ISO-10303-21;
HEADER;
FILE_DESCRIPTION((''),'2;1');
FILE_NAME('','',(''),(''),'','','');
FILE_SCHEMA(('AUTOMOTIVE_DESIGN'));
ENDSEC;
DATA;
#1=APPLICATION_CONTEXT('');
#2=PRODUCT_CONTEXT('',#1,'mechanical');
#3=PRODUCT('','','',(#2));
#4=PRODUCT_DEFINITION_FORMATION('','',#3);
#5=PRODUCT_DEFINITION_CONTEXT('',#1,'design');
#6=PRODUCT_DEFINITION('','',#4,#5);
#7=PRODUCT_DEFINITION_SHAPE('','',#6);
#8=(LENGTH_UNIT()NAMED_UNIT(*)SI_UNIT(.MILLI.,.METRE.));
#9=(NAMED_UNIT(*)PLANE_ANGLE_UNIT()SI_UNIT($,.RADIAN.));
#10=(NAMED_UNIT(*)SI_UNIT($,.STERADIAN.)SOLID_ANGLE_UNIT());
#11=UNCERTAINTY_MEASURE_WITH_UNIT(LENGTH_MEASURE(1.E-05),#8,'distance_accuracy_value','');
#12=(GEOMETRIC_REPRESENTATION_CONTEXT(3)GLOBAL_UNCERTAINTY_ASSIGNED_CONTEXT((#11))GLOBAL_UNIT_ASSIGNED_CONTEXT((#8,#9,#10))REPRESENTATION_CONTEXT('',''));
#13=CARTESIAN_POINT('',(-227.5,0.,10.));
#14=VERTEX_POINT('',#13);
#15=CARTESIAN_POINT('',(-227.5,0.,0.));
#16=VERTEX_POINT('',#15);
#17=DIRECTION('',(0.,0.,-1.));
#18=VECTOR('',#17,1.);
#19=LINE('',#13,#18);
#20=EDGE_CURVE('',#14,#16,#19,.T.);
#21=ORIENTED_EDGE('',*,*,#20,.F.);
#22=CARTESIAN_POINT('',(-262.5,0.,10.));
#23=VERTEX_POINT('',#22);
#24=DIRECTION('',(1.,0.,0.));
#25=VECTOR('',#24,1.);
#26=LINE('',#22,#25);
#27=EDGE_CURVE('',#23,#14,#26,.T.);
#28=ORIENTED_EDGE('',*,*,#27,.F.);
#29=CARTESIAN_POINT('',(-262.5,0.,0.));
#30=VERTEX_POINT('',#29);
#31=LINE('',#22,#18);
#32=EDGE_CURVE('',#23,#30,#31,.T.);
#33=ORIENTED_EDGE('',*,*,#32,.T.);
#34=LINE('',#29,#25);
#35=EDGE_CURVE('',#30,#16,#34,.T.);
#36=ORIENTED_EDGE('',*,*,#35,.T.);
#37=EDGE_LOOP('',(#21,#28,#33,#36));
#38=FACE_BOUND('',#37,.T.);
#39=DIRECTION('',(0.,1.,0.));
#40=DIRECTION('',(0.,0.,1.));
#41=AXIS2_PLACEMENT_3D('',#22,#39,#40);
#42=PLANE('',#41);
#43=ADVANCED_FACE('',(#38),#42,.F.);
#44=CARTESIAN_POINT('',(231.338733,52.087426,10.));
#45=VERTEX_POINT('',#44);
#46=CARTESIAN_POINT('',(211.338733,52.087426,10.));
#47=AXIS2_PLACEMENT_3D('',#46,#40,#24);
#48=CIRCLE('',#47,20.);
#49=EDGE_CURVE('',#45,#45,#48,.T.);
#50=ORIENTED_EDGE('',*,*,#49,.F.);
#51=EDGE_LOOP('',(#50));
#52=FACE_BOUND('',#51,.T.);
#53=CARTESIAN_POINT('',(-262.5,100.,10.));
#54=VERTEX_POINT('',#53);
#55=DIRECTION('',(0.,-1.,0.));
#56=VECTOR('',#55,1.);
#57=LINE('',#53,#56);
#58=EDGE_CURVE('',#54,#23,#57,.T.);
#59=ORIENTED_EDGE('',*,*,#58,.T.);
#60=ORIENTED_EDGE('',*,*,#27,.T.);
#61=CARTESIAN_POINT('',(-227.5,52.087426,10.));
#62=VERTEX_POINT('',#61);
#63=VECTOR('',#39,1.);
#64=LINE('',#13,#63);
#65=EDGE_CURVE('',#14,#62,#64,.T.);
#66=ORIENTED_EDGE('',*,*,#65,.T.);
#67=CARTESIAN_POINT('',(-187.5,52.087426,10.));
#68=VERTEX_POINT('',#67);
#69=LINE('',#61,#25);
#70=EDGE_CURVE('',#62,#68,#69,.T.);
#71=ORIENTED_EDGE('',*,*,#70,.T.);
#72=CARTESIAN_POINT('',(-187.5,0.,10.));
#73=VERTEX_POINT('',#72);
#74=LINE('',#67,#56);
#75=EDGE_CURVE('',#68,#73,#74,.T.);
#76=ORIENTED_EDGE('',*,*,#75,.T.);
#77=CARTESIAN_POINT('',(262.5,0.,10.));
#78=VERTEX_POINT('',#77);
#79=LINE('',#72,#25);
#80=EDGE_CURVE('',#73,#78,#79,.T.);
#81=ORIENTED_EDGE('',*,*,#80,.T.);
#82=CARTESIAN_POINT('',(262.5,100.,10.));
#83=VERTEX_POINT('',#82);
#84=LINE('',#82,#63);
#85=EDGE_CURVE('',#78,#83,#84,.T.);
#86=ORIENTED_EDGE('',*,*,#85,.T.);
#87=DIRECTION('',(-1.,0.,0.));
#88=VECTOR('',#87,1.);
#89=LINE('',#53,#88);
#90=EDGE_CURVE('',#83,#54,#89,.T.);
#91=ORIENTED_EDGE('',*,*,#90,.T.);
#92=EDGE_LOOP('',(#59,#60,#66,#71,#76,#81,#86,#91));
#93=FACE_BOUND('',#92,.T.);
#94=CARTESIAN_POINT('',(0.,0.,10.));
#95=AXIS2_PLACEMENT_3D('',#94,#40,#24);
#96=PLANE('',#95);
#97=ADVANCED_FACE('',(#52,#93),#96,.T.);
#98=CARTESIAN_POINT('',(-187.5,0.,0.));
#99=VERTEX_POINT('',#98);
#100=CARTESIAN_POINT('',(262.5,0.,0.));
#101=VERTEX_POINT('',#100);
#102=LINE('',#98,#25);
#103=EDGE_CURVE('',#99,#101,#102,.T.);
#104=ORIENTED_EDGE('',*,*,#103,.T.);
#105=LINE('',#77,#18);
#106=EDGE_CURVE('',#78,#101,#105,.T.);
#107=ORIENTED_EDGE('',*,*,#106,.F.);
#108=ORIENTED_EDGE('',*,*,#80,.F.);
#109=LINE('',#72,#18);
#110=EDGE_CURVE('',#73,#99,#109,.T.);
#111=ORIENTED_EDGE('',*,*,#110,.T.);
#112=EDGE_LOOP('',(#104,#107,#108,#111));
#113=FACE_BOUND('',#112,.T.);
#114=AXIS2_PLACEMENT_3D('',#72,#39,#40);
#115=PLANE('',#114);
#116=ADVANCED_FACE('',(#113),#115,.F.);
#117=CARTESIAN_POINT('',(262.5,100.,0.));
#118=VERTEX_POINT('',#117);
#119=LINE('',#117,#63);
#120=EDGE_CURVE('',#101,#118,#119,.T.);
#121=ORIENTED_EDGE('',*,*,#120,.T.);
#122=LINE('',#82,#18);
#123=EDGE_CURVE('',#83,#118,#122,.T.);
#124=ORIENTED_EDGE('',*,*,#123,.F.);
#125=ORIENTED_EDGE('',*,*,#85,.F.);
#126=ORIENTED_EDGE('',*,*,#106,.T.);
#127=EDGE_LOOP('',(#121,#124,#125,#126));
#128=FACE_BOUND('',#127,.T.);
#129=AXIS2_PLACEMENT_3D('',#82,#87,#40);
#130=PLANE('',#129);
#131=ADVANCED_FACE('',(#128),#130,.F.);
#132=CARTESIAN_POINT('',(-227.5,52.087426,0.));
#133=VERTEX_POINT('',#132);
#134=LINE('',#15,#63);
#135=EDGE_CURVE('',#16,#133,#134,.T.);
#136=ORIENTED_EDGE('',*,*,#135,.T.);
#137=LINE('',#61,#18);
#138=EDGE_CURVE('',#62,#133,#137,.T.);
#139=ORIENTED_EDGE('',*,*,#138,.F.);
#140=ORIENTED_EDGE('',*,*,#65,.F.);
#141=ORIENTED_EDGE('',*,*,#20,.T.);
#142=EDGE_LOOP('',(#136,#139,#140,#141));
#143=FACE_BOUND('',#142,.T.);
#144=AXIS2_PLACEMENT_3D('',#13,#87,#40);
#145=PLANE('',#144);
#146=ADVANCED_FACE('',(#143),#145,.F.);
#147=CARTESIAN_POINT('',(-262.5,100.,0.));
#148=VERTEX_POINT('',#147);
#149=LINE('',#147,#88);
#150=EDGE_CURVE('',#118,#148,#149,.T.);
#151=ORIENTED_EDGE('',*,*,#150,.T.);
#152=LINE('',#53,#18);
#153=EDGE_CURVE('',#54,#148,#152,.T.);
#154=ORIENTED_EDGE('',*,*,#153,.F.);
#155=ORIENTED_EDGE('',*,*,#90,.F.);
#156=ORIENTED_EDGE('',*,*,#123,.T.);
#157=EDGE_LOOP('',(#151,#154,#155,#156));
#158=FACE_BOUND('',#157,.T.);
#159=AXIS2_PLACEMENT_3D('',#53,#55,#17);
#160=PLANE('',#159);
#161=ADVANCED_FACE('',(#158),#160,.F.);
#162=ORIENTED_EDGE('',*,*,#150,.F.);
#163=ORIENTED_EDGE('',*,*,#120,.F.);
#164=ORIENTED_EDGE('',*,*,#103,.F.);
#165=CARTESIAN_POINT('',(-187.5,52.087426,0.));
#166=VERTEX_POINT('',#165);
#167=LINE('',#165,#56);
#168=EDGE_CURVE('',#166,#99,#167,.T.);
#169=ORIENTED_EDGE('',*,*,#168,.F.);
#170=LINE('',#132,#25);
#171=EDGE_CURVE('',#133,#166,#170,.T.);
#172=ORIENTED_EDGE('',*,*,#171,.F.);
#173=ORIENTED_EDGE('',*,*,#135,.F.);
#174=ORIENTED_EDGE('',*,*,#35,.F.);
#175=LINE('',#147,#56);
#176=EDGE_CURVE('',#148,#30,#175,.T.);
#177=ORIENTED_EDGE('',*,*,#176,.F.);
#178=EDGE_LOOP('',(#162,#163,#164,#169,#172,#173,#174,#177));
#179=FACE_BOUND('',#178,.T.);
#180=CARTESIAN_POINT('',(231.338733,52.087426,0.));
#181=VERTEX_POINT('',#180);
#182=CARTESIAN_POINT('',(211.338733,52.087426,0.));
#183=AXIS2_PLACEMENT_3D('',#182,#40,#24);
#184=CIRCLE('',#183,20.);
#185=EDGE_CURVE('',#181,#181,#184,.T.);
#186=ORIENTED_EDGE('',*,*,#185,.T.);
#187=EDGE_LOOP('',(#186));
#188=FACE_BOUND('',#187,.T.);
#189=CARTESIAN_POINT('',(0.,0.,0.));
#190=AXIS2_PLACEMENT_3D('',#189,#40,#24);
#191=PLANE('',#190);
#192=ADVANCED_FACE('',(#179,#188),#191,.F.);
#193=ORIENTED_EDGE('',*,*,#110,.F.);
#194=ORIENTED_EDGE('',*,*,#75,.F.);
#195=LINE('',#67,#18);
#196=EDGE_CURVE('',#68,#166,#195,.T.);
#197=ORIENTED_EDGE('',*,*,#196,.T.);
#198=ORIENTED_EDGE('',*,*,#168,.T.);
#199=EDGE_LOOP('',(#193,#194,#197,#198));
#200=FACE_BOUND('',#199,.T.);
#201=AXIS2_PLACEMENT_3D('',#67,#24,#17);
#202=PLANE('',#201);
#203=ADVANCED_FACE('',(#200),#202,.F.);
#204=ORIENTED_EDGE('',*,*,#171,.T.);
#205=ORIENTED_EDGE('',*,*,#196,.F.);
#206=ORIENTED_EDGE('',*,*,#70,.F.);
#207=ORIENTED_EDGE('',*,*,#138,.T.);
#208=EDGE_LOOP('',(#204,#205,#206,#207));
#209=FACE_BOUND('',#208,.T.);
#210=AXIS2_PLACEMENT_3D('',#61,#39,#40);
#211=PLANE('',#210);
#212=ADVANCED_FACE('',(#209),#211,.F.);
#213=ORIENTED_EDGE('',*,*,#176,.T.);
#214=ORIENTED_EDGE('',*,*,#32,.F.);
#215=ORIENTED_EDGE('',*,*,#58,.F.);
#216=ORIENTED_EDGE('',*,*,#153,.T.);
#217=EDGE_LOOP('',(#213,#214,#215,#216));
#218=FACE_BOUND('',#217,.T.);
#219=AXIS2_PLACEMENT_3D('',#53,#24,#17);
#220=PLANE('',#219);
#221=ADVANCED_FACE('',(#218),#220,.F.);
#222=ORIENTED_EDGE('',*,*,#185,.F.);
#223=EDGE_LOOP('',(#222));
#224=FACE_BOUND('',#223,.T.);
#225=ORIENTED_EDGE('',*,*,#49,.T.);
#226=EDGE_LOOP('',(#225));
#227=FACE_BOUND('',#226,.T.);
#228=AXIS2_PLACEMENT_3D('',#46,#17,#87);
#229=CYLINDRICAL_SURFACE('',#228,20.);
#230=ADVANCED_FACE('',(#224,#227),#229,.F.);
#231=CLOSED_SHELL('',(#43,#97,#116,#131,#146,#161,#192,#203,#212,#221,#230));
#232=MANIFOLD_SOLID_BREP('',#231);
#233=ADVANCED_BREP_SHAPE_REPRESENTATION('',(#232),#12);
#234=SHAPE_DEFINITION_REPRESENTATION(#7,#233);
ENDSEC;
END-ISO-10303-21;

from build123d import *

# Parameters (mm, degrees)
SKETCH1_R           = 20
BOSS_EXTRUDE1_DEPTH = 10


with BuildPart() as part:
    # Sketch1 → Boss-Extrude1 (new body)
    with BuildSketch(Plane.XY):
        Polygon((-227.5, 0), (-227.5, 52.087426326), (-187.5, 52.087426326), (-187.5, 0), (262.5, 0), (262.5, 100), (-262.5, 100), (-262.5, 0), align=None)
        with Locations((211.338732731, 52.087426326)):
            Circle(SKETCH1_R, mode=Mode.SUBTRACT)
    extrude(amount=BOSS_EXTRUDE1_DEPTH)


solid = part.part
